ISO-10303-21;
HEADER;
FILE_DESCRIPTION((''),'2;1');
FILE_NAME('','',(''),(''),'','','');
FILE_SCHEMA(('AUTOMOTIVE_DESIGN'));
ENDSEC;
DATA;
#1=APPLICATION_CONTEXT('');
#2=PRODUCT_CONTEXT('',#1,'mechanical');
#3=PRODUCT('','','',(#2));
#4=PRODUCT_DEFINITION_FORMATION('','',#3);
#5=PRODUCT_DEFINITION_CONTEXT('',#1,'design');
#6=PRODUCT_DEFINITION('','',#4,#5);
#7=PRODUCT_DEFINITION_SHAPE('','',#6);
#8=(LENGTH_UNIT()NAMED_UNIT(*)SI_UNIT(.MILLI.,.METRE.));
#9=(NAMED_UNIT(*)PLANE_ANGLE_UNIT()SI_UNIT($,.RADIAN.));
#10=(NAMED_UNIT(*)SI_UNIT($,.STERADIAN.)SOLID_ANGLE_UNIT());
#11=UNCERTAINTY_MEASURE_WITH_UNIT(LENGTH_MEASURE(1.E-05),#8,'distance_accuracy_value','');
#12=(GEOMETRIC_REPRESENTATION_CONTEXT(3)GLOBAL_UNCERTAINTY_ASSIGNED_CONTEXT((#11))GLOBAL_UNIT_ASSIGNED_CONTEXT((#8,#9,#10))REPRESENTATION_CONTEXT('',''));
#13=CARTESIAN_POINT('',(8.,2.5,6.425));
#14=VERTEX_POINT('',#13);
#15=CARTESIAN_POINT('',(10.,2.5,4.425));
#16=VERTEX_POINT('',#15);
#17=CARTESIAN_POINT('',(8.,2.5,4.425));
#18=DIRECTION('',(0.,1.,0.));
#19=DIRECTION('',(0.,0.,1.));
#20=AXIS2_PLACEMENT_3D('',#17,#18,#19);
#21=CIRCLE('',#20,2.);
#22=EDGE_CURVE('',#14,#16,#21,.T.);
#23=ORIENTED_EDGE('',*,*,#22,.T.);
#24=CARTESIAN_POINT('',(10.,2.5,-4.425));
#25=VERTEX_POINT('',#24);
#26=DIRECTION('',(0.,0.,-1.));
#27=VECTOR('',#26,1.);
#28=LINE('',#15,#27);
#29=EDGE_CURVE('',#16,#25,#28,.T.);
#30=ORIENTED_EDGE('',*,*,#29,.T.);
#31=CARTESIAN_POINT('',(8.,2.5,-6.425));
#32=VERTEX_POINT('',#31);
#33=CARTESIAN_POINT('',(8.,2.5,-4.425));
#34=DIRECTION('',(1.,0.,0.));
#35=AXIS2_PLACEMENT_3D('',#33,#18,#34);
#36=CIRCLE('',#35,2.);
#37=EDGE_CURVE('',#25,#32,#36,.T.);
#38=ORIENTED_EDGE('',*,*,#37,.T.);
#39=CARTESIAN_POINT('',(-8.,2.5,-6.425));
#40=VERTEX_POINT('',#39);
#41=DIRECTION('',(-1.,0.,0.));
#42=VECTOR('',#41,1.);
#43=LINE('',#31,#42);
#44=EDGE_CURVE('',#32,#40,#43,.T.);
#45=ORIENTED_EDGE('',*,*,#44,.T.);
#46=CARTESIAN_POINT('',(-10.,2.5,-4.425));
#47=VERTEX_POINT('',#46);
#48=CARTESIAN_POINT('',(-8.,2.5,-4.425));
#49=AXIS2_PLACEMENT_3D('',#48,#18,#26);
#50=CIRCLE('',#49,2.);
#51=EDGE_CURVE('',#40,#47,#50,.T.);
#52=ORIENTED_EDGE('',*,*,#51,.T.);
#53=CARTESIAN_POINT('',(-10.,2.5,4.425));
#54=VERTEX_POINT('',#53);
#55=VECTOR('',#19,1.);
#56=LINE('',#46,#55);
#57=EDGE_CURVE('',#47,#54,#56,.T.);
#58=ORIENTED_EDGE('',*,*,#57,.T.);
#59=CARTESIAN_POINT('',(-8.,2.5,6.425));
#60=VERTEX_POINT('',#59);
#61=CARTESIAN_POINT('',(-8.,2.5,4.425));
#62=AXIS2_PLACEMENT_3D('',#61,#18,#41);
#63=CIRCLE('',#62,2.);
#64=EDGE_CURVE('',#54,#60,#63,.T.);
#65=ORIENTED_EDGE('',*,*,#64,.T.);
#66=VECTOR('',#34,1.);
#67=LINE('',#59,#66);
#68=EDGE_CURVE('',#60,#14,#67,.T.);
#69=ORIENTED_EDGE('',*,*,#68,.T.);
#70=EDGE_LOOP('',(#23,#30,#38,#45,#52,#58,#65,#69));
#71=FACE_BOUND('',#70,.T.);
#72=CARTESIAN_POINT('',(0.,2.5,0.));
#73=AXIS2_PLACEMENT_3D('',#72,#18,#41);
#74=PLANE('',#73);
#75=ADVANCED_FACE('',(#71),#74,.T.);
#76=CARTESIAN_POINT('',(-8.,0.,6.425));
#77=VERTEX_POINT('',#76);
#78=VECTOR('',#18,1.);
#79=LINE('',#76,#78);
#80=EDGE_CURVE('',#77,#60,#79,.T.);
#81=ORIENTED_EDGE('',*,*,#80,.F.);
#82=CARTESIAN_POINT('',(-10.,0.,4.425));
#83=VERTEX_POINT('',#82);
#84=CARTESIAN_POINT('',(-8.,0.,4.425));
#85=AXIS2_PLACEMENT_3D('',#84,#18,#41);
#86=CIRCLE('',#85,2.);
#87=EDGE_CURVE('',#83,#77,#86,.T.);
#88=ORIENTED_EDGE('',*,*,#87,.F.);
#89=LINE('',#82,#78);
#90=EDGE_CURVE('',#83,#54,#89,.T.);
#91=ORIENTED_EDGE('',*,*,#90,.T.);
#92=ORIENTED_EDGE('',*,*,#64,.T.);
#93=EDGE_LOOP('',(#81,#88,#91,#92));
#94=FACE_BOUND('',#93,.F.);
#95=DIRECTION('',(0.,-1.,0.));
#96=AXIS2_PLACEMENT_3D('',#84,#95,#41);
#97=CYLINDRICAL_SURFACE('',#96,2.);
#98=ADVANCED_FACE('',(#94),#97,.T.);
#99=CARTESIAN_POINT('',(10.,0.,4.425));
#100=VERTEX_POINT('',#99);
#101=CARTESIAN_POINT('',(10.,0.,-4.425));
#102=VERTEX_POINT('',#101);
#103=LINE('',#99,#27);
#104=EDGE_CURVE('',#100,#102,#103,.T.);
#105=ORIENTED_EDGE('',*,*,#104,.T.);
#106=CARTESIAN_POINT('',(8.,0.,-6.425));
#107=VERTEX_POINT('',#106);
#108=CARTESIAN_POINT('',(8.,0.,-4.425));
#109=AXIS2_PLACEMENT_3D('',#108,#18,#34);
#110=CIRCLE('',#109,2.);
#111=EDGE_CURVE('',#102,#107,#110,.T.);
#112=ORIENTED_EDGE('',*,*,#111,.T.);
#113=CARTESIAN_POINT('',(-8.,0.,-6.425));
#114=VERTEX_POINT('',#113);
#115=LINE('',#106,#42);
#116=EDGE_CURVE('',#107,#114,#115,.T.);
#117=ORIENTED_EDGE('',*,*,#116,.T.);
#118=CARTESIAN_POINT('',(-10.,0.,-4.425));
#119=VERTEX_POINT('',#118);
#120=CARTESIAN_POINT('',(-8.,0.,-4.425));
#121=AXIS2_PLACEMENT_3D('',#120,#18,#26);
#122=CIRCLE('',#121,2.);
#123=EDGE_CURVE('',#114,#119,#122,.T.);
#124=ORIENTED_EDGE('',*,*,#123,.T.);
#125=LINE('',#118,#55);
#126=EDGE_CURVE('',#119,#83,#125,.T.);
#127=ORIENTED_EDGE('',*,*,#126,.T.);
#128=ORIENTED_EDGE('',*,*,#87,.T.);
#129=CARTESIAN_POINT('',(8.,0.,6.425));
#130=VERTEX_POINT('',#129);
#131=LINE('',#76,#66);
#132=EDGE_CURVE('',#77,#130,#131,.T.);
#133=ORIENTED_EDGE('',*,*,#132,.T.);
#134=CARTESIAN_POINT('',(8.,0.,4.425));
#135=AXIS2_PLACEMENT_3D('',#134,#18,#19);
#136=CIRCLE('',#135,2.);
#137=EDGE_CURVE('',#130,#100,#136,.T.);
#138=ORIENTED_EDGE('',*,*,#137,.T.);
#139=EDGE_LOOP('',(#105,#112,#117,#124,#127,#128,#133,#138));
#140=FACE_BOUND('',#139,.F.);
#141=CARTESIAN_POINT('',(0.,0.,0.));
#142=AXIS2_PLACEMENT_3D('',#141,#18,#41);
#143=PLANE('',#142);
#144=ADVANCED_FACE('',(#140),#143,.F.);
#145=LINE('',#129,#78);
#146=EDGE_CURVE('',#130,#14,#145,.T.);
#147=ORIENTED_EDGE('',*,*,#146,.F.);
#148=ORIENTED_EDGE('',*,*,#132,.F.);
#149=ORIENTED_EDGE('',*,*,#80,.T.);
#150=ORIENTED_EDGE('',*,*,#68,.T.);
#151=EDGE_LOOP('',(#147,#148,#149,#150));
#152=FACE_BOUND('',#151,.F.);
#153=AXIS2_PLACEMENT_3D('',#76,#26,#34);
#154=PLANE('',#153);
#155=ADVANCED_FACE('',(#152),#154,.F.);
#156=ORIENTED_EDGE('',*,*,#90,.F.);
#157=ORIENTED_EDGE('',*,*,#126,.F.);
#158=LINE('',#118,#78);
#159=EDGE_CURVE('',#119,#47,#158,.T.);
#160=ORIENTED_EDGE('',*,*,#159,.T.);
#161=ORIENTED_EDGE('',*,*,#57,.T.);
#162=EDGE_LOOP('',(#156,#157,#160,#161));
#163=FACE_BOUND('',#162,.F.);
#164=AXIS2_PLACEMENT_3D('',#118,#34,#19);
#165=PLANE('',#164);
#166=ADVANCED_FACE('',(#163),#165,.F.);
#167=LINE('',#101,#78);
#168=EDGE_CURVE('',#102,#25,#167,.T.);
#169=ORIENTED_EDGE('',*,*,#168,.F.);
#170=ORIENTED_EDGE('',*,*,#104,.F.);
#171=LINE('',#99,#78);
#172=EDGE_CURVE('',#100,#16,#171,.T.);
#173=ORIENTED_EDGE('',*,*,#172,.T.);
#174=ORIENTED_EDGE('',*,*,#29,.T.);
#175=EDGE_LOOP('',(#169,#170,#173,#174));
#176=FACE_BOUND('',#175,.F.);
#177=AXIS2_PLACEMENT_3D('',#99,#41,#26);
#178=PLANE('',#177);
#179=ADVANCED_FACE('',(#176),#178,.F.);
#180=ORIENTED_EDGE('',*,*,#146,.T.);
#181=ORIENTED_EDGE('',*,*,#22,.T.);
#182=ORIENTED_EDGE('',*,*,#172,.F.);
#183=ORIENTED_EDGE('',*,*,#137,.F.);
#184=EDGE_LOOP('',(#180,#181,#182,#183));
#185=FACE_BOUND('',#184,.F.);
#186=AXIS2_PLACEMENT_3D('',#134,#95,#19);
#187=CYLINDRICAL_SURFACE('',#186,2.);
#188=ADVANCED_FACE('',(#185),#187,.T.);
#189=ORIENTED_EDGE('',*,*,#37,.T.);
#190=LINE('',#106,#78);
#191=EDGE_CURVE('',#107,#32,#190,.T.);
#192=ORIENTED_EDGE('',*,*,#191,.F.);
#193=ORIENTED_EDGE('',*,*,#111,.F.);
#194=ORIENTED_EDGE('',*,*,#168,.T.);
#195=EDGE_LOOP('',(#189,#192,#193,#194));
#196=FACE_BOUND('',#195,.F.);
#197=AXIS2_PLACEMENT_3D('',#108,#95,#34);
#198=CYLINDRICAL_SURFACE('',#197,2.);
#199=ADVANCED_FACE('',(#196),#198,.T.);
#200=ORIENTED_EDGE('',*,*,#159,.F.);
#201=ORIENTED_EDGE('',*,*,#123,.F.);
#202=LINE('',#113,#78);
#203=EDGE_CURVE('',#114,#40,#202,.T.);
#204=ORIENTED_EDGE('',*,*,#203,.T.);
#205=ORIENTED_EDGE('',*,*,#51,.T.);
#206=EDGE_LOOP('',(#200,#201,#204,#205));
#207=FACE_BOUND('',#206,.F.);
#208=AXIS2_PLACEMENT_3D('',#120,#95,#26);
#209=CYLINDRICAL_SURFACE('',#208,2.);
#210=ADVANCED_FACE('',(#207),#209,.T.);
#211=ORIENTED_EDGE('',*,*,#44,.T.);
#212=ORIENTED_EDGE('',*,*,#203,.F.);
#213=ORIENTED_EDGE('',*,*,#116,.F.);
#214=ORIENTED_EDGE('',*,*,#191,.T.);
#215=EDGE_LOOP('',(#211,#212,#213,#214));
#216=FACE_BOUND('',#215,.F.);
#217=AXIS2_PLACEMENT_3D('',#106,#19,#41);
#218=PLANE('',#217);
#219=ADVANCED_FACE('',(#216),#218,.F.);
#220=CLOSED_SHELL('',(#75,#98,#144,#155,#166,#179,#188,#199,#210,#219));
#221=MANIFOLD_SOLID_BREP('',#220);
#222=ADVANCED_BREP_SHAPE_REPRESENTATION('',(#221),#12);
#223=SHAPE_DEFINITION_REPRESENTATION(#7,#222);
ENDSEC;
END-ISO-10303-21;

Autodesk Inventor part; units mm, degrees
ref_plane "YZ Plane" through (0, 0, 0) normal (1, 0, 0) x (0, 1, 0)
ref_plane "XZ Plane" through (0, 0, 0) normal (0, 1, 0) x (-1, 0, 0)
ref_plane "XY Plane" through (0, 0, 0) normal (0, 0, 1) x (1, 0, 0)
sketch "Sketch1" plane through (0, 0, 0) normal (0, 1, 0) x (-1, 0, 0)
  line L0 (8, 6.425) -> (-8, 6.425)
  line L1 (-10, 4.425) -> (-10, -4.425)
  line L2 (-8, -6.425) -> (8, -6.425)
  line L3 (10, -4.425) -> (10, 4.425)
  line L4 (10, 6.425) -> (-10, -6.425) construction
  line L5 (-10, 6.425) -> (10, -6.425) construction
  arc A0 (10, 4.425) -> (8, 6.425) centre (8, 4.425) ccw
  arc A1 (-8, 6.425) -> (-10, 4.425) centre (-8, 4.425) ccw
  arc A2 (-10, -4.425) -> (-8, -6.425) centre (-8, -4.425) ccw
  arc A3 (8, -6.425) -> (10, -4.425) centre (8, -4.425) ccw
  point P0 (0, 0)
  dimension "d0" = 12.85
  dimension "d1" = 20
  dimension "d2" = 2
extrude "Extrusion1" add sketch "Sketch1" along normal blind 2.5
properties part number "sidemotor"
